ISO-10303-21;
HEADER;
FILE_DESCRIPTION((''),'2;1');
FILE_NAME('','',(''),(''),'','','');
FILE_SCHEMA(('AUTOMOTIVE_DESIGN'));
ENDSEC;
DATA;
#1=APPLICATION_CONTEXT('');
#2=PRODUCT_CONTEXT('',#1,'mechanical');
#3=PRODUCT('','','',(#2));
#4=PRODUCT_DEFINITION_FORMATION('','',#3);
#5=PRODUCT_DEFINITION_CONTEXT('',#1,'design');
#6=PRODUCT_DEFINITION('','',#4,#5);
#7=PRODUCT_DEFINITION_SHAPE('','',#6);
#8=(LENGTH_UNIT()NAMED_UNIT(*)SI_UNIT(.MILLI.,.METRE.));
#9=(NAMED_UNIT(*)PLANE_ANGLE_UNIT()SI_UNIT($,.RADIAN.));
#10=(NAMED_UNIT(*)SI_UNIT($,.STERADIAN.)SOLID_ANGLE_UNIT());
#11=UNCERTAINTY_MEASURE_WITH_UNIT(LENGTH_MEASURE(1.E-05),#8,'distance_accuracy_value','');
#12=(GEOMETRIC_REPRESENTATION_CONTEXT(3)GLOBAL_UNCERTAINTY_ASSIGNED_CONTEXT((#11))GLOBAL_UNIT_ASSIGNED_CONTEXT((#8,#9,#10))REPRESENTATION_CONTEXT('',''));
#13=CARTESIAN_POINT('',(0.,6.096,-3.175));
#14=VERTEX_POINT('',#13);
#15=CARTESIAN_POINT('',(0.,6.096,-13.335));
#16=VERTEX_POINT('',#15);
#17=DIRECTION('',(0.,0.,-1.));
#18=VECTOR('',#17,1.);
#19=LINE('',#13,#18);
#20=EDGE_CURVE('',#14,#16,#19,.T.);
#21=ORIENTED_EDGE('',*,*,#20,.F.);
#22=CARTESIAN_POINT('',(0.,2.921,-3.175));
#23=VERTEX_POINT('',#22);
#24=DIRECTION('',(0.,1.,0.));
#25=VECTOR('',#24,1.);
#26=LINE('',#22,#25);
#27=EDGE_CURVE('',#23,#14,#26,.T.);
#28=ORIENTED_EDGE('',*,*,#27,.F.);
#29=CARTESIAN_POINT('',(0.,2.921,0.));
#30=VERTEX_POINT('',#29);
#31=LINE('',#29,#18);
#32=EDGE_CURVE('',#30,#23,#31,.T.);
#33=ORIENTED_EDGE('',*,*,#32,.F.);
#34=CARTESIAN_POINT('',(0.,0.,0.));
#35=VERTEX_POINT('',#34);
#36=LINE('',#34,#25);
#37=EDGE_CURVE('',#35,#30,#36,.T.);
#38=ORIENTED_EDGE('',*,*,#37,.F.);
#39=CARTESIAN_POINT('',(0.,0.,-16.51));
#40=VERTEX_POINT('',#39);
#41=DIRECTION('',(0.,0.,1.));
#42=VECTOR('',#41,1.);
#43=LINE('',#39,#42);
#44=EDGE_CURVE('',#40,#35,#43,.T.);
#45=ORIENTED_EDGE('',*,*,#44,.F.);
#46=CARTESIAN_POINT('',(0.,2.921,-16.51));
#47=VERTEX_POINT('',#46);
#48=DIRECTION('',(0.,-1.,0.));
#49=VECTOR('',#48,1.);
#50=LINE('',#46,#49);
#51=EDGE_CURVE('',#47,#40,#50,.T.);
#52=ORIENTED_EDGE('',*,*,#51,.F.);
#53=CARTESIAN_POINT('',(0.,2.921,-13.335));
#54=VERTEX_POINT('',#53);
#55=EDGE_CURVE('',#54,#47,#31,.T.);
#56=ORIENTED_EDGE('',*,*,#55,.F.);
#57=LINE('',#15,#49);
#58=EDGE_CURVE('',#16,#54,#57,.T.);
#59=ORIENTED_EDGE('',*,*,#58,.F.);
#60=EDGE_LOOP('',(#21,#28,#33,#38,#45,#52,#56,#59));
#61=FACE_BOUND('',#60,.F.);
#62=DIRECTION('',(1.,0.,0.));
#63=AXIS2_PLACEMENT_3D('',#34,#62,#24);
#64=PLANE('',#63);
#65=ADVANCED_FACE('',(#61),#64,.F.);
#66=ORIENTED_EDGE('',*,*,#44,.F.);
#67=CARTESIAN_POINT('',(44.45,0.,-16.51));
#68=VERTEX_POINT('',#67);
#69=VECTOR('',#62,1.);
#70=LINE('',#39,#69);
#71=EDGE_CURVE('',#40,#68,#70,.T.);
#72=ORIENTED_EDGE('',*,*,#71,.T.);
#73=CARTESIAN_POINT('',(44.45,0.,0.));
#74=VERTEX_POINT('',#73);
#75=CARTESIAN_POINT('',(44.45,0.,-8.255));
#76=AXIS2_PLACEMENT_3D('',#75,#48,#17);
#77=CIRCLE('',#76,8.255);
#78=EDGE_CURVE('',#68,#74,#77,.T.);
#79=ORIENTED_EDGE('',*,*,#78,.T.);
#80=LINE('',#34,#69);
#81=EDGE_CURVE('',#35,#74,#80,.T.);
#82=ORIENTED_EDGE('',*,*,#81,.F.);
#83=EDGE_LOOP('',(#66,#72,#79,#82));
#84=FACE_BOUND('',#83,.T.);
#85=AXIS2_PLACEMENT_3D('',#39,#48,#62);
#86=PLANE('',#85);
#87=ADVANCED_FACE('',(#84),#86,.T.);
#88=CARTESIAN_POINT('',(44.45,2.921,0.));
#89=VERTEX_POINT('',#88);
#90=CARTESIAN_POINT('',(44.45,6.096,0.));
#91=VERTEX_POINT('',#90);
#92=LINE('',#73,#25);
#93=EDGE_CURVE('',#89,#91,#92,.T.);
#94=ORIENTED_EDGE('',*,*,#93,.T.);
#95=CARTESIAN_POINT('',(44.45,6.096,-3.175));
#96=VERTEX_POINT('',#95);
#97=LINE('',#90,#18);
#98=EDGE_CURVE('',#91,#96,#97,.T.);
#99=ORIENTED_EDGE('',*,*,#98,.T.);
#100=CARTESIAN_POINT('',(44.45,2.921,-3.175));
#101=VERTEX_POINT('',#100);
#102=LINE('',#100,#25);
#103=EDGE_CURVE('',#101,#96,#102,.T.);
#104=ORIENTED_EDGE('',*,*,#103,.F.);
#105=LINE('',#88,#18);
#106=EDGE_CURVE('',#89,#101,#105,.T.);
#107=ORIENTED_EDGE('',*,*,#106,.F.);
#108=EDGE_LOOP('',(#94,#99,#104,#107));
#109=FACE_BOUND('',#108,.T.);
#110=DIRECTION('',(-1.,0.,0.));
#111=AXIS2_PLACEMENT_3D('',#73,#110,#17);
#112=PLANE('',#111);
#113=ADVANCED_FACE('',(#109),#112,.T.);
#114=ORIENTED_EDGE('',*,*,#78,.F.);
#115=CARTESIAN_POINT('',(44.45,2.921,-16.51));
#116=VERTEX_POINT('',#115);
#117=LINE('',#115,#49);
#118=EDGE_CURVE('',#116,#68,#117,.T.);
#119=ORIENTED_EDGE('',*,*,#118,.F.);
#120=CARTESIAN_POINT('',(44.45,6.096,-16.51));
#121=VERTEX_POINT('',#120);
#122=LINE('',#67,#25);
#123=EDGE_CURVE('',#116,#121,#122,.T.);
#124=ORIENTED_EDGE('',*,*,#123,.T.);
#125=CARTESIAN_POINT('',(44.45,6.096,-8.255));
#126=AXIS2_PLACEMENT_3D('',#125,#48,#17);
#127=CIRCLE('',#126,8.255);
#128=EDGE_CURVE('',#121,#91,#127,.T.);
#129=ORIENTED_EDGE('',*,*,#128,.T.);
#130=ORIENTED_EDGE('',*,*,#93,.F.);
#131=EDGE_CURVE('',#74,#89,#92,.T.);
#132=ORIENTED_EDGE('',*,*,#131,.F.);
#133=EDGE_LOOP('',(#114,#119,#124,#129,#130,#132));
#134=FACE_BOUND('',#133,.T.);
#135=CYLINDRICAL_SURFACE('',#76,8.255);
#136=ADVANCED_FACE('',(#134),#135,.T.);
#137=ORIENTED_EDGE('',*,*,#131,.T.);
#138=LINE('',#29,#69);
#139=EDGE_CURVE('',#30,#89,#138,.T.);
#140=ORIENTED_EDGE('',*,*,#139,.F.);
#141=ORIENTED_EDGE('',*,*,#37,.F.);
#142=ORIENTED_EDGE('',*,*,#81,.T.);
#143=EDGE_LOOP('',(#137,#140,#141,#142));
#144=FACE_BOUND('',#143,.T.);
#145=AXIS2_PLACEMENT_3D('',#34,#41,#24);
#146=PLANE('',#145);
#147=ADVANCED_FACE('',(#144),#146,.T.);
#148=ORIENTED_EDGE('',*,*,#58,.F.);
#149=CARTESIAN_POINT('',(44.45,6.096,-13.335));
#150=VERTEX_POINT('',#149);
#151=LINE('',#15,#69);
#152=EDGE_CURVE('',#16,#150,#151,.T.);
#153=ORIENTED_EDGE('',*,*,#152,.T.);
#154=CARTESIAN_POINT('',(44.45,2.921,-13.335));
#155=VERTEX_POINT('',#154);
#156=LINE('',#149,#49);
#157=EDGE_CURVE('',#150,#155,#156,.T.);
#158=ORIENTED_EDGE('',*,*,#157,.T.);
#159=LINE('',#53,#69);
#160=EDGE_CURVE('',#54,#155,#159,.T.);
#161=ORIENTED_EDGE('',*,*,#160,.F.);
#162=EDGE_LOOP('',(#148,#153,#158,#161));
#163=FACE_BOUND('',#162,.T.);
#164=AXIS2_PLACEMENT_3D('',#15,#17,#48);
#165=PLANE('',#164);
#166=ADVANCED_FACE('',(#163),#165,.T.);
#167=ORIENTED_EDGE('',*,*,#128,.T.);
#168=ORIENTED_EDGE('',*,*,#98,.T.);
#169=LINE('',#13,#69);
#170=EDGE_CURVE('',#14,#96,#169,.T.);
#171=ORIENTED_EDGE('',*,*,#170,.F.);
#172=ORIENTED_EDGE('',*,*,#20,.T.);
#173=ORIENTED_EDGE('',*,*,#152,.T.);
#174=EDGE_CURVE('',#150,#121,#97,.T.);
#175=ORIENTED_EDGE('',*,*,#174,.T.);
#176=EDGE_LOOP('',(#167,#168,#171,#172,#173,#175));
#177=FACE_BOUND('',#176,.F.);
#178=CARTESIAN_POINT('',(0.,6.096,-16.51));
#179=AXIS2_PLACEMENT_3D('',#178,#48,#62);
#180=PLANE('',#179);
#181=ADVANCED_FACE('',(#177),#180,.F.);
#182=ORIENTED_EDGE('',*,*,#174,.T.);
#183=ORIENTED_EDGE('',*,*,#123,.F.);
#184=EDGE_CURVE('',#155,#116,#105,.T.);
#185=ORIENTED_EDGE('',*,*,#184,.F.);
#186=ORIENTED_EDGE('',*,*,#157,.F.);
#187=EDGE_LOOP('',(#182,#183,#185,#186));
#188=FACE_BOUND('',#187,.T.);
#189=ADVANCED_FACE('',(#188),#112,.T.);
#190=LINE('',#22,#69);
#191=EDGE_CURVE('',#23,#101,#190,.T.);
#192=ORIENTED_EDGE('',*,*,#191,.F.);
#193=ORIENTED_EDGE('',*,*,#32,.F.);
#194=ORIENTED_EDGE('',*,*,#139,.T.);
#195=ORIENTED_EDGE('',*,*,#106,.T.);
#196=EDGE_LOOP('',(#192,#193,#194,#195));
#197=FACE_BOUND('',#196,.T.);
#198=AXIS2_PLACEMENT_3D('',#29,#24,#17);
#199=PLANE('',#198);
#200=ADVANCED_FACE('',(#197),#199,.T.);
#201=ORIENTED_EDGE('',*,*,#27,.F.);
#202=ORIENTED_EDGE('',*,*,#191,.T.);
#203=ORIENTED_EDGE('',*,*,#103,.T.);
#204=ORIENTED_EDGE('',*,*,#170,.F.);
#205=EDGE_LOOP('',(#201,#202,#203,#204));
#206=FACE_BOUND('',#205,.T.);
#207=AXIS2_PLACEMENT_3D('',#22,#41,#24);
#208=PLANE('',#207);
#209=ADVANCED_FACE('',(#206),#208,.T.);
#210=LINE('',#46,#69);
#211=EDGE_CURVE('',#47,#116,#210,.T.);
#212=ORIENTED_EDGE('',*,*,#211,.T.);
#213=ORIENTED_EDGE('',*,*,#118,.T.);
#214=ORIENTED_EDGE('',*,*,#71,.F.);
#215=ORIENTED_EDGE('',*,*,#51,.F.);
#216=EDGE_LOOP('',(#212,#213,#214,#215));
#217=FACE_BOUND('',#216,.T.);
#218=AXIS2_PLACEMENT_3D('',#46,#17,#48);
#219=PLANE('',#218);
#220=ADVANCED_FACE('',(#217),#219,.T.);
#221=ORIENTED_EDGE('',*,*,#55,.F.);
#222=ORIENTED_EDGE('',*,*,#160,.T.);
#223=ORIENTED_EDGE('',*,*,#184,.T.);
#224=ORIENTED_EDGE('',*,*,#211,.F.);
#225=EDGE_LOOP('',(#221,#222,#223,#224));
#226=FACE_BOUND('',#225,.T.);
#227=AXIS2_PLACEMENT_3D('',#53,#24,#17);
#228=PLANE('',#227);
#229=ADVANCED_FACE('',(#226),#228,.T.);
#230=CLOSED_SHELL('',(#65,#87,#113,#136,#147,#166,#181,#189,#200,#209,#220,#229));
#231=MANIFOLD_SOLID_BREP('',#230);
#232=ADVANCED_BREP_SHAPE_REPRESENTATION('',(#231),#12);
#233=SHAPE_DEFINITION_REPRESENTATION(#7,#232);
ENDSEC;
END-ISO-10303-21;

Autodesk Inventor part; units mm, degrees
ref_plane "YZ Plane" through (0, 0, 0) normal (1, 0, 0) x (0, 1, 0)
ref_plane "XZ Plane" through (0, 0, 0) normal (0, 1, 0) x (-1, 0, 0)
ref_plane "XY Plane" through (0, 0, 0) normal (0, 0, 1) x (1, 0, 0)
sketch "Sketch1" plane through (0, 0, 0) normal (1, 0, 0) x (0, 1, 0)
  line L0 (0, 0) -> (2.921, 0)
  line L1 (2.921, 0) -> (2.921, -16.51)
  line L2 (2.921, -16.51) -> (0, -16.51)
  line L3 (0, -16.51) -> (0, 0)
  line L4 (2.921, -3.175) -> (6.096, -3.175)
  line L5 (6.096, -3.175) -> (6.096, -13.335)
  line L6 (6.096, -13.335) -> (2.921, -13.335)
  line L7 (2.921, -13.335) -> (2.921, -3.175)
  dimension "d0" = 16.51
  dimension "d1" = 10.16
  dimension "d2" = 3.175
  dimension "d3" = 2.921
  dimension "d4" = 3.175
extrude "Extrusion1" add sketch "Sketch1" along normal blind 44.45
sketch "Sketch2" plane through (0, 0, -16.51) normal (0, -1, 0) x (1, 0, 0)
  line L0 (44.45, 16.51) -> (44.45, 0) projected
  arc A0 (44.45, 0) -> (44.45, 16.51) centre (44.45, 8.255) ccw
  point P0 (0, 16.51)
extrude "Extrusion2" add sketch "Sketch2" against normal up to surface (6.096 mm away)
equation "\"d2\" = -0.5 * d1 + 0.5 * d0"
properties part number "tenshoner slider"
